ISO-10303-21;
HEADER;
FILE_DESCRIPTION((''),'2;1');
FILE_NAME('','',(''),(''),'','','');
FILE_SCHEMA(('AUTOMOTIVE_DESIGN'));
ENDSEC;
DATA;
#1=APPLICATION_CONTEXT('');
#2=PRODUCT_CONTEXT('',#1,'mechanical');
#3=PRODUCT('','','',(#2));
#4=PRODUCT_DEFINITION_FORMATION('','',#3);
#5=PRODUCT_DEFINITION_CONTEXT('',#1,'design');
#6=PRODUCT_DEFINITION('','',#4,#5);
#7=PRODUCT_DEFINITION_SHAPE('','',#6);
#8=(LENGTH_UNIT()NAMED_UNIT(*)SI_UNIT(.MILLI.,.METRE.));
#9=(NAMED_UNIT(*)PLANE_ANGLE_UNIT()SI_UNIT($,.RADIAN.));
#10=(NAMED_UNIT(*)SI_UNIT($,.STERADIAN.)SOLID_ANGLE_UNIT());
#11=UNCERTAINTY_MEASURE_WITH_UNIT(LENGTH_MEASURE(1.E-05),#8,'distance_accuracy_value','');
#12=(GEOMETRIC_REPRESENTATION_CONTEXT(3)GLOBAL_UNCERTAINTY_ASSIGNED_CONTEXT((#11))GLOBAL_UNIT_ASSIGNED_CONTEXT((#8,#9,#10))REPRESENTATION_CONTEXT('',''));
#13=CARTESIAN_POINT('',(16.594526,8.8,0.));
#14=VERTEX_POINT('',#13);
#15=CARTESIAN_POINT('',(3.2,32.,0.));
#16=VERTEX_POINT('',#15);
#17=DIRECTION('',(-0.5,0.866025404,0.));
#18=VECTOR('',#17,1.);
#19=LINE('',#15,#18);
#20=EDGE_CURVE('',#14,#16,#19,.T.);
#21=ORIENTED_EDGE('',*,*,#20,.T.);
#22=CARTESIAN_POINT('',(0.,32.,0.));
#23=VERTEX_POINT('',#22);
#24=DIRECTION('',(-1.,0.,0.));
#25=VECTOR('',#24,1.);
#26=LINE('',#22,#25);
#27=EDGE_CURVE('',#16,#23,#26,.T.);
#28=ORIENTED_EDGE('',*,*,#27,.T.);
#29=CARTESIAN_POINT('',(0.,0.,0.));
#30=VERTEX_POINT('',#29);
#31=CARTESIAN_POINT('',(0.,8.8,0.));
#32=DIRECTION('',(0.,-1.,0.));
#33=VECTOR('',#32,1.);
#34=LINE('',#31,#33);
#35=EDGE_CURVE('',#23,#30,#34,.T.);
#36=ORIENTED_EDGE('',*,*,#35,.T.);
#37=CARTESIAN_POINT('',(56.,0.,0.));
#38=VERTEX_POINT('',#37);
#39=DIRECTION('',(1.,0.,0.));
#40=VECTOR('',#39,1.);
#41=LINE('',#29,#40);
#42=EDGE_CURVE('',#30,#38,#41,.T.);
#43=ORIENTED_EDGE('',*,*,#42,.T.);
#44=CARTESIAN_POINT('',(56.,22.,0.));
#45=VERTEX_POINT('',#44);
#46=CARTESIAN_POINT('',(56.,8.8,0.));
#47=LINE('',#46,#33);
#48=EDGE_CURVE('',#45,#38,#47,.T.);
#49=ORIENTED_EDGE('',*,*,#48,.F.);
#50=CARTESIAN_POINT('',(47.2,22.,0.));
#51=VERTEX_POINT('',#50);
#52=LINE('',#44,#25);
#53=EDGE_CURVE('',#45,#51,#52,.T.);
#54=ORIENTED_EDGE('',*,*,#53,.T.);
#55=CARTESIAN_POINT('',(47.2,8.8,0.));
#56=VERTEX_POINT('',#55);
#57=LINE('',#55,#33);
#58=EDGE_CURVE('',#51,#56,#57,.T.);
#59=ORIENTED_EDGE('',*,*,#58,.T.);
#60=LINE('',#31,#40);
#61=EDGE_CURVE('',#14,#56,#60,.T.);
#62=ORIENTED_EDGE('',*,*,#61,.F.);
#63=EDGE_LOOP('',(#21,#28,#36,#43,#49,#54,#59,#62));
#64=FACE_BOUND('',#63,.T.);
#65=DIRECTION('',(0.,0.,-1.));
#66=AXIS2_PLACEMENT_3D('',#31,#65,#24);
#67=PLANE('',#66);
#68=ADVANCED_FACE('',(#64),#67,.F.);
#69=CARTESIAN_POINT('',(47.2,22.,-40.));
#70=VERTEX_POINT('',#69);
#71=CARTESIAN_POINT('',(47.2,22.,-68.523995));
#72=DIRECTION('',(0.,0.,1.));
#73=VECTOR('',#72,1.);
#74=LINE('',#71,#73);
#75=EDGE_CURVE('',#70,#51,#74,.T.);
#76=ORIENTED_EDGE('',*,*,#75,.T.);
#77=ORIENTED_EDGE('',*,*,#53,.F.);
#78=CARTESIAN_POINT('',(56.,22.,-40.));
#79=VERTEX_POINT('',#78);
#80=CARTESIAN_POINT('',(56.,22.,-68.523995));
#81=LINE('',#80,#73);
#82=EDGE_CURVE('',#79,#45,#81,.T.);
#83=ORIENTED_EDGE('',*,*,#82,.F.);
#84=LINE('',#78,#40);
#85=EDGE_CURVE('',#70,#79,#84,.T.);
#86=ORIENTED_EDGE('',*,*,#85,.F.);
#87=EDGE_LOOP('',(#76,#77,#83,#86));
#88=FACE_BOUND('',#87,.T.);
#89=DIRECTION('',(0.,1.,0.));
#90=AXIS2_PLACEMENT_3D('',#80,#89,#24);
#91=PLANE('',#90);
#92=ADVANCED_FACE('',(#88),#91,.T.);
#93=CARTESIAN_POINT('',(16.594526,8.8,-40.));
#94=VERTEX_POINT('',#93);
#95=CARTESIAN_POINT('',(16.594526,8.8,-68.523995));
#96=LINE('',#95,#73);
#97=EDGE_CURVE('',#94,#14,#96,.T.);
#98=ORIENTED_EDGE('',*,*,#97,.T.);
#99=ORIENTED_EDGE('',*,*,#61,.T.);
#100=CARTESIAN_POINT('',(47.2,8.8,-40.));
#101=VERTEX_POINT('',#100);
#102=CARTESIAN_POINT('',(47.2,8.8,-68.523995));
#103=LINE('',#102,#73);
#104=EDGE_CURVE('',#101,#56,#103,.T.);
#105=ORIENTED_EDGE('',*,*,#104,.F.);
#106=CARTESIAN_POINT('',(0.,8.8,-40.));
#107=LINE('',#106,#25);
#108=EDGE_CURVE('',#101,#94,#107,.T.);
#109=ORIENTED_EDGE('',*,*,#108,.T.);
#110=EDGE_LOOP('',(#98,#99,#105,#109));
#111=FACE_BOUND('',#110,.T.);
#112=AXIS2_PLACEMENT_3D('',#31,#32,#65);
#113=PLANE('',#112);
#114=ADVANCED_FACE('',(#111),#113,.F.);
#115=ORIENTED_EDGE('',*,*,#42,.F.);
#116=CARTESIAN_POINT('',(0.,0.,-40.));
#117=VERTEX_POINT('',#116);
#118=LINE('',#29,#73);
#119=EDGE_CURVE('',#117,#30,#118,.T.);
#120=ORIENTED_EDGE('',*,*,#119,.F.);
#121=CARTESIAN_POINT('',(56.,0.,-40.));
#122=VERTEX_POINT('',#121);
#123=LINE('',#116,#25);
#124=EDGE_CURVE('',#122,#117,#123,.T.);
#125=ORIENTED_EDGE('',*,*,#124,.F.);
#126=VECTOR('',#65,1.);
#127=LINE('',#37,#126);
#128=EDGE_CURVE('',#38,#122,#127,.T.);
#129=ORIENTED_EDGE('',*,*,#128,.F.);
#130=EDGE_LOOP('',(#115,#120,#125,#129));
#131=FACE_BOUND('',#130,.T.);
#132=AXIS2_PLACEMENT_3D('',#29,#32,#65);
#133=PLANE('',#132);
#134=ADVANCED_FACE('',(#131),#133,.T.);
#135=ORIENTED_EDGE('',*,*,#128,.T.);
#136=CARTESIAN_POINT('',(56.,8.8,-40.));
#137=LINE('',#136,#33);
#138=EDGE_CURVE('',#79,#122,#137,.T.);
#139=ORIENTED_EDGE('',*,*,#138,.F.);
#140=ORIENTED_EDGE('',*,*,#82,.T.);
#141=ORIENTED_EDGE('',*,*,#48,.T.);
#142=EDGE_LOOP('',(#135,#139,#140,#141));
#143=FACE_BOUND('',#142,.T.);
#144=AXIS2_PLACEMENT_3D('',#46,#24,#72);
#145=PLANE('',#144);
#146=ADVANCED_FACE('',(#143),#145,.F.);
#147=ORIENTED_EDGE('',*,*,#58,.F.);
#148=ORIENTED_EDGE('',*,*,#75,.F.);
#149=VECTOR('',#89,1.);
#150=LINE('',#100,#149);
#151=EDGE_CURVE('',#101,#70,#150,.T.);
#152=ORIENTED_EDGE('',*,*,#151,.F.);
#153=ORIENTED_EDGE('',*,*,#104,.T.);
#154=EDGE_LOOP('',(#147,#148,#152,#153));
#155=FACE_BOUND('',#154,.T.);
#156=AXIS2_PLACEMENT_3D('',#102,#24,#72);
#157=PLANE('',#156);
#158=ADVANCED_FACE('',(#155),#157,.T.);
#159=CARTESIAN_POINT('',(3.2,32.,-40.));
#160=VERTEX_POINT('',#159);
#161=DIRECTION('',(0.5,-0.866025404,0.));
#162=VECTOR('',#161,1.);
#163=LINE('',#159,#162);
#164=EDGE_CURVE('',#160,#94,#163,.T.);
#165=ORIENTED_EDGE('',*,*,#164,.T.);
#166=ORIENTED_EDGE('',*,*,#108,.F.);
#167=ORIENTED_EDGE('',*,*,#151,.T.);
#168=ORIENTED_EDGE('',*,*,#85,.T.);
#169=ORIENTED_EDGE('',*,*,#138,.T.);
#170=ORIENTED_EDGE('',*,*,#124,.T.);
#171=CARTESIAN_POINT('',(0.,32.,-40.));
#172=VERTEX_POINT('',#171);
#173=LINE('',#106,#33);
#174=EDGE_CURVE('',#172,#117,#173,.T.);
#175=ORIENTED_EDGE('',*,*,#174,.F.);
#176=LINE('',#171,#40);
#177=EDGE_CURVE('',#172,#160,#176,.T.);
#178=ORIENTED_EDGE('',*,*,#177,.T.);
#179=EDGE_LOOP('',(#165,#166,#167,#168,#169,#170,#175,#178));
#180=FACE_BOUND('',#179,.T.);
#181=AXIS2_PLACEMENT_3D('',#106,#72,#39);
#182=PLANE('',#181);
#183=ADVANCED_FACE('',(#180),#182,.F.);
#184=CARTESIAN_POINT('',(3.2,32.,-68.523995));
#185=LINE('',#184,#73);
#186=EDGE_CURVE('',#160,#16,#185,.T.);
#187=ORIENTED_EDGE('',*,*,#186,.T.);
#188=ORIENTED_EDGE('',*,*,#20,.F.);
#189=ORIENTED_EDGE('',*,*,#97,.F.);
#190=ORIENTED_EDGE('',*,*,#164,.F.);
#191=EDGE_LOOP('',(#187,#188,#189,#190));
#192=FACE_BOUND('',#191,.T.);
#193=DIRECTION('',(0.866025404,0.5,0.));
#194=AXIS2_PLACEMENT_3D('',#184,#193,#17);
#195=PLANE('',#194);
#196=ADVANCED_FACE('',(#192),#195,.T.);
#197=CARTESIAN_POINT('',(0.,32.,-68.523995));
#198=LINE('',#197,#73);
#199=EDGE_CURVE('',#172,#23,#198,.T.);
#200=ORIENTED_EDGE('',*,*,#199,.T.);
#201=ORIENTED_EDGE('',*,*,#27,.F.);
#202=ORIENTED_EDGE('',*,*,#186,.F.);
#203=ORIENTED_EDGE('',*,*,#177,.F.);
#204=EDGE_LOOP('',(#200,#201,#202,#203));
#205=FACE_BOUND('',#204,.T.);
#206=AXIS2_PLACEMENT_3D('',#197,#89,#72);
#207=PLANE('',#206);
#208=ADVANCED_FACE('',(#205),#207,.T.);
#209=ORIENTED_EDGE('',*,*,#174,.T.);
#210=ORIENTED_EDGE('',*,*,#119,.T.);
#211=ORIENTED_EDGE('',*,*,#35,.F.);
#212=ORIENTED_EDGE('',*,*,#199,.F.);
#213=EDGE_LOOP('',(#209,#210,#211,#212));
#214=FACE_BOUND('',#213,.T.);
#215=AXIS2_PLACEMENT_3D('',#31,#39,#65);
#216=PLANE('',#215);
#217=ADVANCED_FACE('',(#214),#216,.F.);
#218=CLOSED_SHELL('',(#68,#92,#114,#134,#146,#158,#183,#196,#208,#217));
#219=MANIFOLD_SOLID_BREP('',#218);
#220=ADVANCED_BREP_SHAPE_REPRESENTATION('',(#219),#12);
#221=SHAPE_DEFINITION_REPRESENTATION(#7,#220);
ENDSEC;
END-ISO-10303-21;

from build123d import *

# Parameters (mm, degrees)
SKETCH_4_W      = 56
SKETCH_4_H      = 40
EXTRUDE_2_DEPTH = 8.8
SKETCH_5_W      = 8.8
SKETCH_5_H      = 13.2
EXTRUDE_3_DEPTH = 40


with BuildPart() as part:
    # 스케치4 → 보스-돌출2 (new body)
    with BuildSketch(Plane(origin=(0, 0, 0), x_dir=(1, 0, 0), z_dir=(0, 1, 0))):
        with Locations((28, 20)):
            Rectangle(SKETCH_4_W, SKETCH_4_H)
    extrude(amount=EXTRUDE_2_DEPTH)

    # 스케치5 → 보스-돌출3 (add)
    with BuildSketch(Plane.XY):
        Polygon((0, 8.8), (0, 32), (3.2, 32), (16.594526245, 8.8), align=None)
        with Locations((51.6, 15.4)):
            Rectangle(SKETCH_5_W, SKETCH_5_H)
    extrude(amount=-EXTRUDE_3_DEPTH)


solid = part.part
